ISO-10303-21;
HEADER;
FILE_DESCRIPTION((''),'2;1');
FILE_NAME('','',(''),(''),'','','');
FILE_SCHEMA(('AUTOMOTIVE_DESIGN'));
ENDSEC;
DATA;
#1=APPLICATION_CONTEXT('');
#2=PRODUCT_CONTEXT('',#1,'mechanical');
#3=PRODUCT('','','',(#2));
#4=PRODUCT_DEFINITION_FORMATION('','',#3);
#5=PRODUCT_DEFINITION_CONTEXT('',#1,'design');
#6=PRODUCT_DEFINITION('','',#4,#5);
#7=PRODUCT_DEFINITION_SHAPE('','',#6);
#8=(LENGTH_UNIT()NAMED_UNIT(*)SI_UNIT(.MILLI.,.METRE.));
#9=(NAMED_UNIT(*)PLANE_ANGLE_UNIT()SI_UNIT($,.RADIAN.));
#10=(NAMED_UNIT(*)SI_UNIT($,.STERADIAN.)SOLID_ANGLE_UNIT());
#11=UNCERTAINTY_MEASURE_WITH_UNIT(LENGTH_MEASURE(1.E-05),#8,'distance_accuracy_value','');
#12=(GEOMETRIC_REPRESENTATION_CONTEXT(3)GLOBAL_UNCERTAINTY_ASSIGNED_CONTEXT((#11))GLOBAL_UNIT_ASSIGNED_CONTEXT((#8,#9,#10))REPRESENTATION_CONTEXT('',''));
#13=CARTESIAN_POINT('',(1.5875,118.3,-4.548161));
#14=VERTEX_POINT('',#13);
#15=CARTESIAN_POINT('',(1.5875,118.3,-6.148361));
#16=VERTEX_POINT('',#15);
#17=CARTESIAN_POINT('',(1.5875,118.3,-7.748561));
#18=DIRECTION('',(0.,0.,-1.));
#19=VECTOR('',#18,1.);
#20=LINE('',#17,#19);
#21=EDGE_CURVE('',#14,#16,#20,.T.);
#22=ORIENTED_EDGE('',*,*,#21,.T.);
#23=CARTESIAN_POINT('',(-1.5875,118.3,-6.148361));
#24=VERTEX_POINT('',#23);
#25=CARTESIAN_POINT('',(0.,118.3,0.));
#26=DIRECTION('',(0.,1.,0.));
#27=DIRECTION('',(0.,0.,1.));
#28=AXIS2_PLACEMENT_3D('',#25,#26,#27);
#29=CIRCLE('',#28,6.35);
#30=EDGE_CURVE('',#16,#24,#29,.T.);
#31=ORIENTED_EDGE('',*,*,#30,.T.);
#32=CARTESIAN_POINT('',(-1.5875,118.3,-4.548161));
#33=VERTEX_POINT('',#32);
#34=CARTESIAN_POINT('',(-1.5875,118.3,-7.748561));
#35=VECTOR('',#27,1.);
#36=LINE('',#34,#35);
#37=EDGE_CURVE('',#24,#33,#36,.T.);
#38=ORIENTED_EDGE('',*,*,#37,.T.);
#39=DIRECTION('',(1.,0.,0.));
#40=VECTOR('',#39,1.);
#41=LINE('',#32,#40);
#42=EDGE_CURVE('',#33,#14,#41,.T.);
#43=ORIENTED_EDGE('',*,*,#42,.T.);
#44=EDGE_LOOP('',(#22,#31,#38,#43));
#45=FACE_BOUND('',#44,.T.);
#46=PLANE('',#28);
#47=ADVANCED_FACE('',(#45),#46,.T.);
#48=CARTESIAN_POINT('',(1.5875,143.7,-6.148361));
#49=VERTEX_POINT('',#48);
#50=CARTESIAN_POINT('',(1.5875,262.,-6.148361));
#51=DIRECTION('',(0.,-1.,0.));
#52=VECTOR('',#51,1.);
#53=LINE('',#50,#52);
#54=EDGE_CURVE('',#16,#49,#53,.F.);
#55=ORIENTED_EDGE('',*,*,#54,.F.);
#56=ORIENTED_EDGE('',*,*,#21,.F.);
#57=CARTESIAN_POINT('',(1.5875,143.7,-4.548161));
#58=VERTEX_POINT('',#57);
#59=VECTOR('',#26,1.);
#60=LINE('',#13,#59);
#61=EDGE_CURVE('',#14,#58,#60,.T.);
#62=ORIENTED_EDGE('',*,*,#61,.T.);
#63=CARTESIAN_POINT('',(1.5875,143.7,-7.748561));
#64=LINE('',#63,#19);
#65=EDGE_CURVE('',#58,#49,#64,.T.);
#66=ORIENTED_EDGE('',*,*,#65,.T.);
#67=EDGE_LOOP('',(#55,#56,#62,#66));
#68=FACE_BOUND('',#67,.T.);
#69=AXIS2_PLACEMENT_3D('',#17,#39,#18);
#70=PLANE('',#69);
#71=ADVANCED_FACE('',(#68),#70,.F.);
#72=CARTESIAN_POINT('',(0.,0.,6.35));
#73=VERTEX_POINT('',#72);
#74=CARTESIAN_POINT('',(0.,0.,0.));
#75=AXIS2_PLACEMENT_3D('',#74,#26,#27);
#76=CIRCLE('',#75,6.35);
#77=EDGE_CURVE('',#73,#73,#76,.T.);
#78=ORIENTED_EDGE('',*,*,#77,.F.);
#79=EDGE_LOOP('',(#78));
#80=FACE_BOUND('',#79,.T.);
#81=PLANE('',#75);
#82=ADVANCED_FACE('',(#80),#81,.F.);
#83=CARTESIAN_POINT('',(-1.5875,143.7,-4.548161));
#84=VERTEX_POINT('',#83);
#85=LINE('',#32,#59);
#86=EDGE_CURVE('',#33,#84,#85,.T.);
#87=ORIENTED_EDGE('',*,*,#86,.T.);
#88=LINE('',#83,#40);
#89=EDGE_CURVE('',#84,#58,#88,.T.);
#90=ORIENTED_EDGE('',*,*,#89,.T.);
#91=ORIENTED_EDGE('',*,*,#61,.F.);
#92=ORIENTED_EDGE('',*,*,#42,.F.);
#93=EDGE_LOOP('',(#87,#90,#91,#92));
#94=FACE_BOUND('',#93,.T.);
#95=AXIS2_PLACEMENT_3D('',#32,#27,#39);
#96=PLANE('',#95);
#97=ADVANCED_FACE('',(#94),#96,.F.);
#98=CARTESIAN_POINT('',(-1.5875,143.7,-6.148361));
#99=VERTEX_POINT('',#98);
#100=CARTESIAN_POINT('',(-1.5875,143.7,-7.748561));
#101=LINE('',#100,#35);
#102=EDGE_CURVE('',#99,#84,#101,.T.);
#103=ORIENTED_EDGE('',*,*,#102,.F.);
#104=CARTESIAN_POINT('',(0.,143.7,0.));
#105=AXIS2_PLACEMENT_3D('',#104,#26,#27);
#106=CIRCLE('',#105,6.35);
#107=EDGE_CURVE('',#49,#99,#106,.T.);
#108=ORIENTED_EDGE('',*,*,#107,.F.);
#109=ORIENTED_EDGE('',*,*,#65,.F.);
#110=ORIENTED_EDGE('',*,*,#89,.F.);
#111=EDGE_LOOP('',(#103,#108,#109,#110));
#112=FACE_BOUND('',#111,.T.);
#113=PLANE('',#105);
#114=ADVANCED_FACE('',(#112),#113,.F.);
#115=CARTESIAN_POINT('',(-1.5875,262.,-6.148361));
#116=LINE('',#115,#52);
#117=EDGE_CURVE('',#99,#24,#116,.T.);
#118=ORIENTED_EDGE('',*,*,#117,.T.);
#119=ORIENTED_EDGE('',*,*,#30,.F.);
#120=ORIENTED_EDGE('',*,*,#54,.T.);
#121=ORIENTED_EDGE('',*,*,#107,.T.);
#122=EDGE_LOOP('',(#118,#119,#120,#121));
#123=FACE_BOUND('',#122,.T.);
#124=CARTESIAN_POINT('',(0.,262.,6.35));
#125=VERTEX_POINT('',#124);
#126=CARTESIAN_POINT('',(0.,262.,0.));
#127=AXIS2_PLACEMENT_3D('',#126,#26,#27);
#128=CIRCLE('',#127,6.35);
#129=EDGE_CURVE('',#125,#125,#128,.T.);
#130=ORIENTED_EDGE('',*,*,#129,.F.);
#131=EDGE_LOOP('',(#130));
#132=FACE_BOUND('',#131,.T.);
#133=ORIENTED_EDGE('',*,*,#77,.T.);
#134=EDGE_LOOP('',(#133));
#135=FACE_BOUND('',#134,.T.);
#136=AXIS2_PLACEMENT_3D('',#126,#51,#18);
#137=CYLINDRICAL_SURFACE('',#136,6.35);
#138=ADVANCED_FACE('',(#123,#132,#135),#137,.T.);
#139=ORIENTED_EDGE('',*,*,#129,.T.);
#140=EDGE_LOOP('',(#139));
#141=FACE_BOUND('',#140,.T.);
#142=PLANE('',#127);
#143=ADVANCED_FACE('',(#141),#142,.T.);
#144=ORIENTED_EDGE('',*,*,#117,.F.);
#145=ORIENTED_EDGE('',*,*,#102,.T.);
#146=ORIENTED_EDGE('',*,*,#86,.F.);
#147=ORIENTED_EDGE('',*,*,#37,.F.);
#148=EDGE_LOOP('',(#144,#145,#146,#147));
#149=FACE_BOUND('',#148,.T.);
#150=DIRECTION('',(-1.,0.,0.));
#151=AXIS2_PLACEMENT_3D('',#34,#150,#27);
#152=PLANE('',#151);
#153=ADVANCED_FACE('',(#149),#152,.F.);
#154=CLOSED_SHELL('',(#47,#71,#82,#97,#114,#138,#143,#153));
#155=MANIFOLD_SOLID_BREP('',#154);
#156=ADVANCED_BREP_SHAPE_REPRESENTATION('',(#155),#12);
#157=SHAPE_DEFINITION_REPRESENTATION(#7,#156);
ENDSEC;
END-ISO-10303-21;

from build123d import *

# Parameters (mm, degrees)
SKETCH1_R               = 6.35
BOSS_EXTRUDE1_DEPTH     = 262
SKETCH2_W               = 3.175
SKETCH2_H               = 3.2004
CUT_EXTRUDE1_DEPTH      = 12.7
CUT_EXTRUDE1_DEPTH_BACK = 12.7


with BuildPart() as part:
    # Sketch1 → Boss-Extrude1 (new body)
    with BuildSketch(Plane(origin=(0, 0, 0), x_dir=(1, 0, 0), z_dir=(0, 1, 0))):
        Circle(SKETCH1_R)
    extrude(amount=BOSS_EXTRUDE1_DEPTH)

    # Sketch2 → Cut-Extrude1 (cut, two sides)
    with BuildSketch(Plane(origin=(0, 131, 0), x_dir=(1, 0, 0), z_dir=(0, 1, 0))) as cut_extrude1_sk:
        with Locations((0, 6.148361062)):
            Rectangle(SKETCH2_W, SKETCH2_H)
    extrude(amount=CUT_EXTRUDE1_DEPTH, mode=Mode.SUBTRACT)
    extrude(cut_extrude1_sk.sketch, amount=-CUT_EXTRUDE1_DEPTH_BACK, mode=Mode.SUBTRACT)


solid = part.part
